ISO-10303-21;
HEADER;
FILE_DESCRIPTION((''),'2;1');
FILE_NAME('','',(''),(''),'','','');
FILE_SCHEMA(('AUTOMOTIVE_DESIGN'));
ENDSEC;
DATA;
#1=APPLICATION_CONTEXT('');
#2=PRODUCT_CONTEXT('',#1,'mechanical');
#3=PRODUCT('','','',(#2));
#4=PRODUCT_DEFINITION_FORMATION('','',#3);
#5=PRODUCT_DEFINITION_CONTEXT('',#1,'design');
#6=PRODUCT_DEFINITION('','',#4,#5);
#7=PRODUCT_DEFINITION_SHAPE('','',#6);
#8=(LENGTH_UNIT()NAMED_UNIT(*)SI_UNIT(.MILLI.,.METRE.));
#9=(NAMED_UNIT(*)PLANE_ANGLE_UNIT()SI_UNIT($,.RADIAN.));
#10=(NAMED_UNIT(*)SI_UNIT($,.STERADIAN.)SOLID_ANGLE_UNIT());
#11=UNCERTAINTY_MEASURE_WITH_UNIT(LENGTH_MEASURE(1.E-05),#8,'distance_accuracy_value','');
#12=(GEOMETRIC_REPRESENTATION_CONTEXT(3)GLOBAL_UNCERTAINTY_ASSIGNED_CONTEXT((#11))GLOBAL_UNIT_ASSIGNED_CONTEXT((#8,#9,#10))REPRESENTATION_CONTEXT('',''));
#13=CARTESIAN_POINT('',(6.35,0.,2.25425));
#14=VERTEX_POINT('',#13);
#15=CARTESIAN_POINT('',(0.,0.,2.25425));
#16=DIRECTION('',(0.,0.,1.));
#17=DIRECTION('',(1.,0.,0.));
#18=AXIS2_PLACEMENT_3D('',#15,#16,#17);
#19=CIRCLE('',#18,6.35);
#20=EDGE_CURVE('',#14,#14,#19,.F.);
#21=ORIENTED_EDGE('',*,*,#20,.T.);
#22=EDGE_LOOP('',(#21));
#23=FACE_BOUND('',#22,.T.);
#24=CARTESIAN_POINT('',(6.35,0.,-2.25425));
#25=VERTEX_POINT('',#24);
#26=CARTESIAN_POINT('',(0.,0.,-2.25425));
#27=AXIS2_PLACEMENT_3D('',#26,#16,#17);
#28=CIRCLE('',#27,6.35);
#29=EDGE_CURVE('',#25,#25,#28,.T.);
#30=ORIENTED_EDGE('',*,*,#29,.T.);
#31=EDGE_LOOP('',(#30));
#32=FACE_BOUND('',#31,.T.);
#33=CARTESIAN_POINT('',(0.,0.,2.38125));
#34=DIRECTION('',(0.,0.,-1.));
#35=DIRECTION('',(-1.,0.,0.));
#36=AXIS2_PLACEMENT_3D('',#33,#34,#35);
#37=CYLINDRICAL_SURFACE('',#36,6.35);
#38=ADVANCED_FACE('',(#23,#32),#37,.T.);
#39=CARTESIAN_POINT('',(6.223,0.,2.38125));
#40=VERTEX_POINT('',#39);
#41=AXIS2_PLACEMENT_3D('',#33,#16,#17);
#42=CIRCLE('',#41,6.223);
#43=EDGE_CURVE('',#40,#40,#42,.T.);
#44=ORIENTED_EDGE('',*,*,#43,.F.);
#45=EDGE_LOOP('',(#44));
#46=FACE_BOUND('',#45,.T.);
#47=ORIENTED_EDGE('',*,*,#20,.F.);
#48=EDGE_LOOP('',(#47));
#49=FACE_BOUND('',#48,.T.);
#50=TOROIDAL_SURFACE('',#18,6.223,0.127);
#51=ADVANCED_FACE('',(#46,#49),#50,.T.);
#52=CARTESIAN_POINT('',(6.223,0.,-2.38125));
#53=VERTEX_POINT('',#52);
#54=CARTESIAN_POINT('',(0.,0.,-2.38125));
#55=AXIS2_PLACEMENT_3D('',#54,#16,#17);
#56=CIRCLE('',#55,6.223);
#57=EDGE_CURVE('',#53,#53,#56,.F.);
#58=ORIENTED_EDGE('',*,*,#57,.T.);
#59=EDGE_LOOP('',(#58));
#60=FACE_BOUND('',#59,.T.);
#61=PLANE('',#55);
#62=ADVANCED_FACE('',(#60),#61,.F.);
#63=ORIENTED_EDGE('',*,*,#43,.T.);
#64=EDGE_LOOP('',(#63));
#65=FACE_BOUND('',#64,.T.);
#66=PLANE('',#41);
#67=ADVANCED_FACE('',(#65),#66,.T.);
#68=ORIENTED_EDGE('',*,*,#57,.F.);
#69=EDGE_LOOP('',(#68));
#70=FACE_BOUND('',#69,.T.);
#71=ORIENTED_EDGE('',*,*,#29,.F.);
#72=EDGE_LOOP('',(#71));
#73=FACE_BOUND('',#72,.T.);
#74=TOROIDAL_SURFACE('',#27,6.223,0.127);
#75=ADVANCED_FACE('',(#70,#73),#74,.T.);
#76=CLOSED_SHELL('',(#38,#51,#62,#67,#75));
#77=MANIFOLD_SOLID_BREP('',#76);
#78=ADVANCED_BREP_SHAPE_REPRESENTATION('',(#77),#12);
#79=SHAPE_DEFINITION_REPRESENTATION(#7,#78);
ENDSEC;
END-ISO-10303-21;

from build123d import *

# Parameters (mm, degrees)
BOSS_EXTRUDE1_DEPTH      = 2.38125
BOSS_EXTRUDE1_DEPTH_BACK = 2.38125
SKETCH3_R                = 6.35
FILLET1_R                = 0.127


with BuildPart() as part:
    # Sketch3 → Boss-Extrude1 (new, two sides: drawn at the far end of the back side and taken through both)
    with BuildSketch(Plane.XY.offset(-BOSS_EXTRUDE1_DEPTH_BACK)):
        Circle(SKETCH3_R)
    extrude(amount=BOSS_EXTRUDE1_DEPTH + BOSS_EXTRUDE1_DEPTH_BACK)

    # Fillet1
    fillet1_edges = [part.edges().sort_by_distance(p)[0] for p in [
        (-6.35, 0, -2.38125),
        (-6.35, 0, 2.38125),
    ]]
    fillet(fillet1_edges, radius=FILLET1_R)


solid = part.part
